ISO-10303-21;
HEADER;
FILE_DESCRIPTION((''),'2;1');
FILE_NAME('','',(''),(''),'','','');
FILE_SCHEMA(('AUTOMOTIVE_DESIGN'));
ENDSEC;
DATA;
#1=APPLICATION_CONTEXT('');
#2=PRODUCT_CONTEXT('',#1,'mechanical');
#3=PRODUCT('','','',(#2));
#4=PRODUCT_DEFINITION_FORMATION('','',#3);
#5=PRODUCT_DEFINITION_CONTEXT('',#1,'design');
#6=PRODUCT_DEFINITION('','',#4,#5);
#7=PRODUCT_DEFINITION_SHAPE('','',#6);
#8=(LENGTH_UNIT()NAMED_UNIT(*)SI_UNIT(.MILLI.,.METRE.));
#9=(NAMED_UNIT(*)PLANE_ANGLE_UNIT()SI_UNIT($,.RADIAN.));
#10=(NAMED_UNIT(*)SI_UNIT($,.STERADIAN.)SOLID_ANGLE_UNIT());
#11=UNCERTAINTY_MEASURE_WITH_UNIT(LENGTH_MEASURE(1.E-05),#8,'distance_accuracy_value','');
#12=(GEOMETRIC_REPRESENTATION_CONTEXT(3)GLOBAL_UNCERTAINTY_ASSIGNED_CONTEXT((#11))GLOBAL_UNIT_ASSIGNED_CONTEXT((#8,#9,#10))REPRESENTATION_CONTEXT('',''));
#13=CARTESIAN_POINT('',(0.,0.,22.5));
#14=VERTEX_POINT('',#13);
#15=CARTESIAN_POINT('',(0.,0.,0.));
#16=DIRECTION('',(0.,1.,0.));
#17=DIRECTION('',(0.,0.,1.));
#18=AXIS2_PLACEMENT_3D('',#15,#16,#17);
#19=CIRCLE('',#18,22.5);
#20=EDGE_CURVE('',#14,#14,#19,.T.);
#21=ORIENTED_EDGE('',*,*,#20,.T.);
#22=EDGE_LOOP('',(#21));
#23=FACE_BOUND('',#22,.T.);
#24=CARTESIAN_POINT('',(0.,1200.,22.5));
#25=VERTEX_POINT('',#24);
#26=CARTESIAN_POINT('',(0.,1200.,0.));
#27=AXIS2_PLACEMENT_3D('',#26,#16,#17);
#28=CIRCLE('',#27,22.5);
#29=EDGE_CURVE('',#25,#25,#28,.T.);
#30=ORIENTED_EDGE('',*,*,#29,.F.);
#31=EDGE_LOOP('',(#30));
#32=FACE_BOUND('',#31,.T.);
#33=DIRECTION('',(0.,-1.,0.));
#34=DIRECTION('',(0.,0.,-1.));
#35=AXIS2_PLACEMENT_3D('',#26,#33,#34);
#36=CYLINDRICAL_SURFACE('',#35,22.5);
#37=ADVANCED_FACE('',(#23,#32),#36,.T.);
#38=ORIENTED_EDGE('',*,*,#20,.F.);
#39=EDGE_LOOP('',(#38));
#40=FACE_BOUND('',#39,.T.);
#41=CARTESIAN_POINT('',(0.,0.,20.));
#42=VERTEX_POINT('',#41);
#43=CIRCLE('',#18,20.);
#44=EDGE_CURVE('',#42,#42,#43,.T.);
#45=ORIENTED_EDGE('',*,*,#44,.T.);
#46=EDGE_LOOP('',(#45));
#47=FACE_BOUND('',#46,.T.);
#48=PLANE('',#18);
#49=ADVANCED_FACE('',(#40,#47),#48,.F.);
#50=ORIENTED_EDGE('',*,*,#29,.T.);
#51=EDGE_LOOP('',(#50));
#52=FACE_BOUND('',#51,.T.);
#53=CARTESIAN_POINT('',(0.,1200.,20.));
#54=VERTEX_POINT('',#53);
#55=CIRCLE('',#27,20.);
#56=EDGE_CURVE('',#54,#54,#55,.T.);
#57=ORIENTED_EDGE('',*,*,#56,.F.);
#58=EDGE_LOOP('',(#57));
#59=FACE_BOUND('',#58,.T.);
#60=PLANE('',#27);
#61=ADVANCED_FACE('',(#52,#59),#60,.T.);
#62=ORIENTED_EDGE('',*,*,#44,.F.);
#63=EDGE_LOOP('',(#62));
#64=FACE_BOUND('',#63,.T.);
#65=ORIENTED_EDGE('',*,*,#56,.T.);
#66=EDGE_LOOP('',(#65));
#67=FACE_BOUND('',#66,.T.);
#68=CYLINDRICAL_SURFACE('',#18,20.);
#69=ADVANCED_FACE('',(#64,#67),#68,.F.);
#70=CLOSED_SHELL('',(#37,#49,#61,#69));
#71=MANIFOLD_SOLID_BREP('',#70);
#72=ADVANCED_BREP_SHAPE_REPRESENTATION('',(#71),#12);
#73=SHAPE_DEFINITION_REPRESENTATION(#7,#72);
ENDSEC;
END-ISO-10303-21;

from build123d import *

# Parameters (mm, degrees)
SKETCH1_R           = 22.5
BOSS_EXTRUDE1_DEPTH = 1200
SKETCH2_R           = 20
CUT_EXTRUDE1_DEPTH  = 1201.421800868


with BuildPart() as part:
    # Sketch1 → Boss-Extrude1 (new body)
    with BuildSketch(Plane(origin=(0, 0, 0), x_dir=(1, 0, 0), z_dir=(0, 1, 0))):
        with Locations(Location((0, 0, 0), (0, 0, 270))):
            Circle(SKETCH1_R)
    extrude(amount=BOSS_EXTRUDE1_DEPTH)

    # Sketch2 → Cut-Extrude1 (cut, through all)
    with BuildSketch(Plane(origin=(0, 1200, 0), x_dir=(1, 0, 0), z_dir=(0, 1, 0))):
        with Locations(Location((0, 0, 0), (0, 0, 270))):
            Circle(SKETCH2_R)
    extrude(amount=-CUT_EXTRUDE1_DEPTH, mode=Mode.SUBTRACT)


solid = part.part
